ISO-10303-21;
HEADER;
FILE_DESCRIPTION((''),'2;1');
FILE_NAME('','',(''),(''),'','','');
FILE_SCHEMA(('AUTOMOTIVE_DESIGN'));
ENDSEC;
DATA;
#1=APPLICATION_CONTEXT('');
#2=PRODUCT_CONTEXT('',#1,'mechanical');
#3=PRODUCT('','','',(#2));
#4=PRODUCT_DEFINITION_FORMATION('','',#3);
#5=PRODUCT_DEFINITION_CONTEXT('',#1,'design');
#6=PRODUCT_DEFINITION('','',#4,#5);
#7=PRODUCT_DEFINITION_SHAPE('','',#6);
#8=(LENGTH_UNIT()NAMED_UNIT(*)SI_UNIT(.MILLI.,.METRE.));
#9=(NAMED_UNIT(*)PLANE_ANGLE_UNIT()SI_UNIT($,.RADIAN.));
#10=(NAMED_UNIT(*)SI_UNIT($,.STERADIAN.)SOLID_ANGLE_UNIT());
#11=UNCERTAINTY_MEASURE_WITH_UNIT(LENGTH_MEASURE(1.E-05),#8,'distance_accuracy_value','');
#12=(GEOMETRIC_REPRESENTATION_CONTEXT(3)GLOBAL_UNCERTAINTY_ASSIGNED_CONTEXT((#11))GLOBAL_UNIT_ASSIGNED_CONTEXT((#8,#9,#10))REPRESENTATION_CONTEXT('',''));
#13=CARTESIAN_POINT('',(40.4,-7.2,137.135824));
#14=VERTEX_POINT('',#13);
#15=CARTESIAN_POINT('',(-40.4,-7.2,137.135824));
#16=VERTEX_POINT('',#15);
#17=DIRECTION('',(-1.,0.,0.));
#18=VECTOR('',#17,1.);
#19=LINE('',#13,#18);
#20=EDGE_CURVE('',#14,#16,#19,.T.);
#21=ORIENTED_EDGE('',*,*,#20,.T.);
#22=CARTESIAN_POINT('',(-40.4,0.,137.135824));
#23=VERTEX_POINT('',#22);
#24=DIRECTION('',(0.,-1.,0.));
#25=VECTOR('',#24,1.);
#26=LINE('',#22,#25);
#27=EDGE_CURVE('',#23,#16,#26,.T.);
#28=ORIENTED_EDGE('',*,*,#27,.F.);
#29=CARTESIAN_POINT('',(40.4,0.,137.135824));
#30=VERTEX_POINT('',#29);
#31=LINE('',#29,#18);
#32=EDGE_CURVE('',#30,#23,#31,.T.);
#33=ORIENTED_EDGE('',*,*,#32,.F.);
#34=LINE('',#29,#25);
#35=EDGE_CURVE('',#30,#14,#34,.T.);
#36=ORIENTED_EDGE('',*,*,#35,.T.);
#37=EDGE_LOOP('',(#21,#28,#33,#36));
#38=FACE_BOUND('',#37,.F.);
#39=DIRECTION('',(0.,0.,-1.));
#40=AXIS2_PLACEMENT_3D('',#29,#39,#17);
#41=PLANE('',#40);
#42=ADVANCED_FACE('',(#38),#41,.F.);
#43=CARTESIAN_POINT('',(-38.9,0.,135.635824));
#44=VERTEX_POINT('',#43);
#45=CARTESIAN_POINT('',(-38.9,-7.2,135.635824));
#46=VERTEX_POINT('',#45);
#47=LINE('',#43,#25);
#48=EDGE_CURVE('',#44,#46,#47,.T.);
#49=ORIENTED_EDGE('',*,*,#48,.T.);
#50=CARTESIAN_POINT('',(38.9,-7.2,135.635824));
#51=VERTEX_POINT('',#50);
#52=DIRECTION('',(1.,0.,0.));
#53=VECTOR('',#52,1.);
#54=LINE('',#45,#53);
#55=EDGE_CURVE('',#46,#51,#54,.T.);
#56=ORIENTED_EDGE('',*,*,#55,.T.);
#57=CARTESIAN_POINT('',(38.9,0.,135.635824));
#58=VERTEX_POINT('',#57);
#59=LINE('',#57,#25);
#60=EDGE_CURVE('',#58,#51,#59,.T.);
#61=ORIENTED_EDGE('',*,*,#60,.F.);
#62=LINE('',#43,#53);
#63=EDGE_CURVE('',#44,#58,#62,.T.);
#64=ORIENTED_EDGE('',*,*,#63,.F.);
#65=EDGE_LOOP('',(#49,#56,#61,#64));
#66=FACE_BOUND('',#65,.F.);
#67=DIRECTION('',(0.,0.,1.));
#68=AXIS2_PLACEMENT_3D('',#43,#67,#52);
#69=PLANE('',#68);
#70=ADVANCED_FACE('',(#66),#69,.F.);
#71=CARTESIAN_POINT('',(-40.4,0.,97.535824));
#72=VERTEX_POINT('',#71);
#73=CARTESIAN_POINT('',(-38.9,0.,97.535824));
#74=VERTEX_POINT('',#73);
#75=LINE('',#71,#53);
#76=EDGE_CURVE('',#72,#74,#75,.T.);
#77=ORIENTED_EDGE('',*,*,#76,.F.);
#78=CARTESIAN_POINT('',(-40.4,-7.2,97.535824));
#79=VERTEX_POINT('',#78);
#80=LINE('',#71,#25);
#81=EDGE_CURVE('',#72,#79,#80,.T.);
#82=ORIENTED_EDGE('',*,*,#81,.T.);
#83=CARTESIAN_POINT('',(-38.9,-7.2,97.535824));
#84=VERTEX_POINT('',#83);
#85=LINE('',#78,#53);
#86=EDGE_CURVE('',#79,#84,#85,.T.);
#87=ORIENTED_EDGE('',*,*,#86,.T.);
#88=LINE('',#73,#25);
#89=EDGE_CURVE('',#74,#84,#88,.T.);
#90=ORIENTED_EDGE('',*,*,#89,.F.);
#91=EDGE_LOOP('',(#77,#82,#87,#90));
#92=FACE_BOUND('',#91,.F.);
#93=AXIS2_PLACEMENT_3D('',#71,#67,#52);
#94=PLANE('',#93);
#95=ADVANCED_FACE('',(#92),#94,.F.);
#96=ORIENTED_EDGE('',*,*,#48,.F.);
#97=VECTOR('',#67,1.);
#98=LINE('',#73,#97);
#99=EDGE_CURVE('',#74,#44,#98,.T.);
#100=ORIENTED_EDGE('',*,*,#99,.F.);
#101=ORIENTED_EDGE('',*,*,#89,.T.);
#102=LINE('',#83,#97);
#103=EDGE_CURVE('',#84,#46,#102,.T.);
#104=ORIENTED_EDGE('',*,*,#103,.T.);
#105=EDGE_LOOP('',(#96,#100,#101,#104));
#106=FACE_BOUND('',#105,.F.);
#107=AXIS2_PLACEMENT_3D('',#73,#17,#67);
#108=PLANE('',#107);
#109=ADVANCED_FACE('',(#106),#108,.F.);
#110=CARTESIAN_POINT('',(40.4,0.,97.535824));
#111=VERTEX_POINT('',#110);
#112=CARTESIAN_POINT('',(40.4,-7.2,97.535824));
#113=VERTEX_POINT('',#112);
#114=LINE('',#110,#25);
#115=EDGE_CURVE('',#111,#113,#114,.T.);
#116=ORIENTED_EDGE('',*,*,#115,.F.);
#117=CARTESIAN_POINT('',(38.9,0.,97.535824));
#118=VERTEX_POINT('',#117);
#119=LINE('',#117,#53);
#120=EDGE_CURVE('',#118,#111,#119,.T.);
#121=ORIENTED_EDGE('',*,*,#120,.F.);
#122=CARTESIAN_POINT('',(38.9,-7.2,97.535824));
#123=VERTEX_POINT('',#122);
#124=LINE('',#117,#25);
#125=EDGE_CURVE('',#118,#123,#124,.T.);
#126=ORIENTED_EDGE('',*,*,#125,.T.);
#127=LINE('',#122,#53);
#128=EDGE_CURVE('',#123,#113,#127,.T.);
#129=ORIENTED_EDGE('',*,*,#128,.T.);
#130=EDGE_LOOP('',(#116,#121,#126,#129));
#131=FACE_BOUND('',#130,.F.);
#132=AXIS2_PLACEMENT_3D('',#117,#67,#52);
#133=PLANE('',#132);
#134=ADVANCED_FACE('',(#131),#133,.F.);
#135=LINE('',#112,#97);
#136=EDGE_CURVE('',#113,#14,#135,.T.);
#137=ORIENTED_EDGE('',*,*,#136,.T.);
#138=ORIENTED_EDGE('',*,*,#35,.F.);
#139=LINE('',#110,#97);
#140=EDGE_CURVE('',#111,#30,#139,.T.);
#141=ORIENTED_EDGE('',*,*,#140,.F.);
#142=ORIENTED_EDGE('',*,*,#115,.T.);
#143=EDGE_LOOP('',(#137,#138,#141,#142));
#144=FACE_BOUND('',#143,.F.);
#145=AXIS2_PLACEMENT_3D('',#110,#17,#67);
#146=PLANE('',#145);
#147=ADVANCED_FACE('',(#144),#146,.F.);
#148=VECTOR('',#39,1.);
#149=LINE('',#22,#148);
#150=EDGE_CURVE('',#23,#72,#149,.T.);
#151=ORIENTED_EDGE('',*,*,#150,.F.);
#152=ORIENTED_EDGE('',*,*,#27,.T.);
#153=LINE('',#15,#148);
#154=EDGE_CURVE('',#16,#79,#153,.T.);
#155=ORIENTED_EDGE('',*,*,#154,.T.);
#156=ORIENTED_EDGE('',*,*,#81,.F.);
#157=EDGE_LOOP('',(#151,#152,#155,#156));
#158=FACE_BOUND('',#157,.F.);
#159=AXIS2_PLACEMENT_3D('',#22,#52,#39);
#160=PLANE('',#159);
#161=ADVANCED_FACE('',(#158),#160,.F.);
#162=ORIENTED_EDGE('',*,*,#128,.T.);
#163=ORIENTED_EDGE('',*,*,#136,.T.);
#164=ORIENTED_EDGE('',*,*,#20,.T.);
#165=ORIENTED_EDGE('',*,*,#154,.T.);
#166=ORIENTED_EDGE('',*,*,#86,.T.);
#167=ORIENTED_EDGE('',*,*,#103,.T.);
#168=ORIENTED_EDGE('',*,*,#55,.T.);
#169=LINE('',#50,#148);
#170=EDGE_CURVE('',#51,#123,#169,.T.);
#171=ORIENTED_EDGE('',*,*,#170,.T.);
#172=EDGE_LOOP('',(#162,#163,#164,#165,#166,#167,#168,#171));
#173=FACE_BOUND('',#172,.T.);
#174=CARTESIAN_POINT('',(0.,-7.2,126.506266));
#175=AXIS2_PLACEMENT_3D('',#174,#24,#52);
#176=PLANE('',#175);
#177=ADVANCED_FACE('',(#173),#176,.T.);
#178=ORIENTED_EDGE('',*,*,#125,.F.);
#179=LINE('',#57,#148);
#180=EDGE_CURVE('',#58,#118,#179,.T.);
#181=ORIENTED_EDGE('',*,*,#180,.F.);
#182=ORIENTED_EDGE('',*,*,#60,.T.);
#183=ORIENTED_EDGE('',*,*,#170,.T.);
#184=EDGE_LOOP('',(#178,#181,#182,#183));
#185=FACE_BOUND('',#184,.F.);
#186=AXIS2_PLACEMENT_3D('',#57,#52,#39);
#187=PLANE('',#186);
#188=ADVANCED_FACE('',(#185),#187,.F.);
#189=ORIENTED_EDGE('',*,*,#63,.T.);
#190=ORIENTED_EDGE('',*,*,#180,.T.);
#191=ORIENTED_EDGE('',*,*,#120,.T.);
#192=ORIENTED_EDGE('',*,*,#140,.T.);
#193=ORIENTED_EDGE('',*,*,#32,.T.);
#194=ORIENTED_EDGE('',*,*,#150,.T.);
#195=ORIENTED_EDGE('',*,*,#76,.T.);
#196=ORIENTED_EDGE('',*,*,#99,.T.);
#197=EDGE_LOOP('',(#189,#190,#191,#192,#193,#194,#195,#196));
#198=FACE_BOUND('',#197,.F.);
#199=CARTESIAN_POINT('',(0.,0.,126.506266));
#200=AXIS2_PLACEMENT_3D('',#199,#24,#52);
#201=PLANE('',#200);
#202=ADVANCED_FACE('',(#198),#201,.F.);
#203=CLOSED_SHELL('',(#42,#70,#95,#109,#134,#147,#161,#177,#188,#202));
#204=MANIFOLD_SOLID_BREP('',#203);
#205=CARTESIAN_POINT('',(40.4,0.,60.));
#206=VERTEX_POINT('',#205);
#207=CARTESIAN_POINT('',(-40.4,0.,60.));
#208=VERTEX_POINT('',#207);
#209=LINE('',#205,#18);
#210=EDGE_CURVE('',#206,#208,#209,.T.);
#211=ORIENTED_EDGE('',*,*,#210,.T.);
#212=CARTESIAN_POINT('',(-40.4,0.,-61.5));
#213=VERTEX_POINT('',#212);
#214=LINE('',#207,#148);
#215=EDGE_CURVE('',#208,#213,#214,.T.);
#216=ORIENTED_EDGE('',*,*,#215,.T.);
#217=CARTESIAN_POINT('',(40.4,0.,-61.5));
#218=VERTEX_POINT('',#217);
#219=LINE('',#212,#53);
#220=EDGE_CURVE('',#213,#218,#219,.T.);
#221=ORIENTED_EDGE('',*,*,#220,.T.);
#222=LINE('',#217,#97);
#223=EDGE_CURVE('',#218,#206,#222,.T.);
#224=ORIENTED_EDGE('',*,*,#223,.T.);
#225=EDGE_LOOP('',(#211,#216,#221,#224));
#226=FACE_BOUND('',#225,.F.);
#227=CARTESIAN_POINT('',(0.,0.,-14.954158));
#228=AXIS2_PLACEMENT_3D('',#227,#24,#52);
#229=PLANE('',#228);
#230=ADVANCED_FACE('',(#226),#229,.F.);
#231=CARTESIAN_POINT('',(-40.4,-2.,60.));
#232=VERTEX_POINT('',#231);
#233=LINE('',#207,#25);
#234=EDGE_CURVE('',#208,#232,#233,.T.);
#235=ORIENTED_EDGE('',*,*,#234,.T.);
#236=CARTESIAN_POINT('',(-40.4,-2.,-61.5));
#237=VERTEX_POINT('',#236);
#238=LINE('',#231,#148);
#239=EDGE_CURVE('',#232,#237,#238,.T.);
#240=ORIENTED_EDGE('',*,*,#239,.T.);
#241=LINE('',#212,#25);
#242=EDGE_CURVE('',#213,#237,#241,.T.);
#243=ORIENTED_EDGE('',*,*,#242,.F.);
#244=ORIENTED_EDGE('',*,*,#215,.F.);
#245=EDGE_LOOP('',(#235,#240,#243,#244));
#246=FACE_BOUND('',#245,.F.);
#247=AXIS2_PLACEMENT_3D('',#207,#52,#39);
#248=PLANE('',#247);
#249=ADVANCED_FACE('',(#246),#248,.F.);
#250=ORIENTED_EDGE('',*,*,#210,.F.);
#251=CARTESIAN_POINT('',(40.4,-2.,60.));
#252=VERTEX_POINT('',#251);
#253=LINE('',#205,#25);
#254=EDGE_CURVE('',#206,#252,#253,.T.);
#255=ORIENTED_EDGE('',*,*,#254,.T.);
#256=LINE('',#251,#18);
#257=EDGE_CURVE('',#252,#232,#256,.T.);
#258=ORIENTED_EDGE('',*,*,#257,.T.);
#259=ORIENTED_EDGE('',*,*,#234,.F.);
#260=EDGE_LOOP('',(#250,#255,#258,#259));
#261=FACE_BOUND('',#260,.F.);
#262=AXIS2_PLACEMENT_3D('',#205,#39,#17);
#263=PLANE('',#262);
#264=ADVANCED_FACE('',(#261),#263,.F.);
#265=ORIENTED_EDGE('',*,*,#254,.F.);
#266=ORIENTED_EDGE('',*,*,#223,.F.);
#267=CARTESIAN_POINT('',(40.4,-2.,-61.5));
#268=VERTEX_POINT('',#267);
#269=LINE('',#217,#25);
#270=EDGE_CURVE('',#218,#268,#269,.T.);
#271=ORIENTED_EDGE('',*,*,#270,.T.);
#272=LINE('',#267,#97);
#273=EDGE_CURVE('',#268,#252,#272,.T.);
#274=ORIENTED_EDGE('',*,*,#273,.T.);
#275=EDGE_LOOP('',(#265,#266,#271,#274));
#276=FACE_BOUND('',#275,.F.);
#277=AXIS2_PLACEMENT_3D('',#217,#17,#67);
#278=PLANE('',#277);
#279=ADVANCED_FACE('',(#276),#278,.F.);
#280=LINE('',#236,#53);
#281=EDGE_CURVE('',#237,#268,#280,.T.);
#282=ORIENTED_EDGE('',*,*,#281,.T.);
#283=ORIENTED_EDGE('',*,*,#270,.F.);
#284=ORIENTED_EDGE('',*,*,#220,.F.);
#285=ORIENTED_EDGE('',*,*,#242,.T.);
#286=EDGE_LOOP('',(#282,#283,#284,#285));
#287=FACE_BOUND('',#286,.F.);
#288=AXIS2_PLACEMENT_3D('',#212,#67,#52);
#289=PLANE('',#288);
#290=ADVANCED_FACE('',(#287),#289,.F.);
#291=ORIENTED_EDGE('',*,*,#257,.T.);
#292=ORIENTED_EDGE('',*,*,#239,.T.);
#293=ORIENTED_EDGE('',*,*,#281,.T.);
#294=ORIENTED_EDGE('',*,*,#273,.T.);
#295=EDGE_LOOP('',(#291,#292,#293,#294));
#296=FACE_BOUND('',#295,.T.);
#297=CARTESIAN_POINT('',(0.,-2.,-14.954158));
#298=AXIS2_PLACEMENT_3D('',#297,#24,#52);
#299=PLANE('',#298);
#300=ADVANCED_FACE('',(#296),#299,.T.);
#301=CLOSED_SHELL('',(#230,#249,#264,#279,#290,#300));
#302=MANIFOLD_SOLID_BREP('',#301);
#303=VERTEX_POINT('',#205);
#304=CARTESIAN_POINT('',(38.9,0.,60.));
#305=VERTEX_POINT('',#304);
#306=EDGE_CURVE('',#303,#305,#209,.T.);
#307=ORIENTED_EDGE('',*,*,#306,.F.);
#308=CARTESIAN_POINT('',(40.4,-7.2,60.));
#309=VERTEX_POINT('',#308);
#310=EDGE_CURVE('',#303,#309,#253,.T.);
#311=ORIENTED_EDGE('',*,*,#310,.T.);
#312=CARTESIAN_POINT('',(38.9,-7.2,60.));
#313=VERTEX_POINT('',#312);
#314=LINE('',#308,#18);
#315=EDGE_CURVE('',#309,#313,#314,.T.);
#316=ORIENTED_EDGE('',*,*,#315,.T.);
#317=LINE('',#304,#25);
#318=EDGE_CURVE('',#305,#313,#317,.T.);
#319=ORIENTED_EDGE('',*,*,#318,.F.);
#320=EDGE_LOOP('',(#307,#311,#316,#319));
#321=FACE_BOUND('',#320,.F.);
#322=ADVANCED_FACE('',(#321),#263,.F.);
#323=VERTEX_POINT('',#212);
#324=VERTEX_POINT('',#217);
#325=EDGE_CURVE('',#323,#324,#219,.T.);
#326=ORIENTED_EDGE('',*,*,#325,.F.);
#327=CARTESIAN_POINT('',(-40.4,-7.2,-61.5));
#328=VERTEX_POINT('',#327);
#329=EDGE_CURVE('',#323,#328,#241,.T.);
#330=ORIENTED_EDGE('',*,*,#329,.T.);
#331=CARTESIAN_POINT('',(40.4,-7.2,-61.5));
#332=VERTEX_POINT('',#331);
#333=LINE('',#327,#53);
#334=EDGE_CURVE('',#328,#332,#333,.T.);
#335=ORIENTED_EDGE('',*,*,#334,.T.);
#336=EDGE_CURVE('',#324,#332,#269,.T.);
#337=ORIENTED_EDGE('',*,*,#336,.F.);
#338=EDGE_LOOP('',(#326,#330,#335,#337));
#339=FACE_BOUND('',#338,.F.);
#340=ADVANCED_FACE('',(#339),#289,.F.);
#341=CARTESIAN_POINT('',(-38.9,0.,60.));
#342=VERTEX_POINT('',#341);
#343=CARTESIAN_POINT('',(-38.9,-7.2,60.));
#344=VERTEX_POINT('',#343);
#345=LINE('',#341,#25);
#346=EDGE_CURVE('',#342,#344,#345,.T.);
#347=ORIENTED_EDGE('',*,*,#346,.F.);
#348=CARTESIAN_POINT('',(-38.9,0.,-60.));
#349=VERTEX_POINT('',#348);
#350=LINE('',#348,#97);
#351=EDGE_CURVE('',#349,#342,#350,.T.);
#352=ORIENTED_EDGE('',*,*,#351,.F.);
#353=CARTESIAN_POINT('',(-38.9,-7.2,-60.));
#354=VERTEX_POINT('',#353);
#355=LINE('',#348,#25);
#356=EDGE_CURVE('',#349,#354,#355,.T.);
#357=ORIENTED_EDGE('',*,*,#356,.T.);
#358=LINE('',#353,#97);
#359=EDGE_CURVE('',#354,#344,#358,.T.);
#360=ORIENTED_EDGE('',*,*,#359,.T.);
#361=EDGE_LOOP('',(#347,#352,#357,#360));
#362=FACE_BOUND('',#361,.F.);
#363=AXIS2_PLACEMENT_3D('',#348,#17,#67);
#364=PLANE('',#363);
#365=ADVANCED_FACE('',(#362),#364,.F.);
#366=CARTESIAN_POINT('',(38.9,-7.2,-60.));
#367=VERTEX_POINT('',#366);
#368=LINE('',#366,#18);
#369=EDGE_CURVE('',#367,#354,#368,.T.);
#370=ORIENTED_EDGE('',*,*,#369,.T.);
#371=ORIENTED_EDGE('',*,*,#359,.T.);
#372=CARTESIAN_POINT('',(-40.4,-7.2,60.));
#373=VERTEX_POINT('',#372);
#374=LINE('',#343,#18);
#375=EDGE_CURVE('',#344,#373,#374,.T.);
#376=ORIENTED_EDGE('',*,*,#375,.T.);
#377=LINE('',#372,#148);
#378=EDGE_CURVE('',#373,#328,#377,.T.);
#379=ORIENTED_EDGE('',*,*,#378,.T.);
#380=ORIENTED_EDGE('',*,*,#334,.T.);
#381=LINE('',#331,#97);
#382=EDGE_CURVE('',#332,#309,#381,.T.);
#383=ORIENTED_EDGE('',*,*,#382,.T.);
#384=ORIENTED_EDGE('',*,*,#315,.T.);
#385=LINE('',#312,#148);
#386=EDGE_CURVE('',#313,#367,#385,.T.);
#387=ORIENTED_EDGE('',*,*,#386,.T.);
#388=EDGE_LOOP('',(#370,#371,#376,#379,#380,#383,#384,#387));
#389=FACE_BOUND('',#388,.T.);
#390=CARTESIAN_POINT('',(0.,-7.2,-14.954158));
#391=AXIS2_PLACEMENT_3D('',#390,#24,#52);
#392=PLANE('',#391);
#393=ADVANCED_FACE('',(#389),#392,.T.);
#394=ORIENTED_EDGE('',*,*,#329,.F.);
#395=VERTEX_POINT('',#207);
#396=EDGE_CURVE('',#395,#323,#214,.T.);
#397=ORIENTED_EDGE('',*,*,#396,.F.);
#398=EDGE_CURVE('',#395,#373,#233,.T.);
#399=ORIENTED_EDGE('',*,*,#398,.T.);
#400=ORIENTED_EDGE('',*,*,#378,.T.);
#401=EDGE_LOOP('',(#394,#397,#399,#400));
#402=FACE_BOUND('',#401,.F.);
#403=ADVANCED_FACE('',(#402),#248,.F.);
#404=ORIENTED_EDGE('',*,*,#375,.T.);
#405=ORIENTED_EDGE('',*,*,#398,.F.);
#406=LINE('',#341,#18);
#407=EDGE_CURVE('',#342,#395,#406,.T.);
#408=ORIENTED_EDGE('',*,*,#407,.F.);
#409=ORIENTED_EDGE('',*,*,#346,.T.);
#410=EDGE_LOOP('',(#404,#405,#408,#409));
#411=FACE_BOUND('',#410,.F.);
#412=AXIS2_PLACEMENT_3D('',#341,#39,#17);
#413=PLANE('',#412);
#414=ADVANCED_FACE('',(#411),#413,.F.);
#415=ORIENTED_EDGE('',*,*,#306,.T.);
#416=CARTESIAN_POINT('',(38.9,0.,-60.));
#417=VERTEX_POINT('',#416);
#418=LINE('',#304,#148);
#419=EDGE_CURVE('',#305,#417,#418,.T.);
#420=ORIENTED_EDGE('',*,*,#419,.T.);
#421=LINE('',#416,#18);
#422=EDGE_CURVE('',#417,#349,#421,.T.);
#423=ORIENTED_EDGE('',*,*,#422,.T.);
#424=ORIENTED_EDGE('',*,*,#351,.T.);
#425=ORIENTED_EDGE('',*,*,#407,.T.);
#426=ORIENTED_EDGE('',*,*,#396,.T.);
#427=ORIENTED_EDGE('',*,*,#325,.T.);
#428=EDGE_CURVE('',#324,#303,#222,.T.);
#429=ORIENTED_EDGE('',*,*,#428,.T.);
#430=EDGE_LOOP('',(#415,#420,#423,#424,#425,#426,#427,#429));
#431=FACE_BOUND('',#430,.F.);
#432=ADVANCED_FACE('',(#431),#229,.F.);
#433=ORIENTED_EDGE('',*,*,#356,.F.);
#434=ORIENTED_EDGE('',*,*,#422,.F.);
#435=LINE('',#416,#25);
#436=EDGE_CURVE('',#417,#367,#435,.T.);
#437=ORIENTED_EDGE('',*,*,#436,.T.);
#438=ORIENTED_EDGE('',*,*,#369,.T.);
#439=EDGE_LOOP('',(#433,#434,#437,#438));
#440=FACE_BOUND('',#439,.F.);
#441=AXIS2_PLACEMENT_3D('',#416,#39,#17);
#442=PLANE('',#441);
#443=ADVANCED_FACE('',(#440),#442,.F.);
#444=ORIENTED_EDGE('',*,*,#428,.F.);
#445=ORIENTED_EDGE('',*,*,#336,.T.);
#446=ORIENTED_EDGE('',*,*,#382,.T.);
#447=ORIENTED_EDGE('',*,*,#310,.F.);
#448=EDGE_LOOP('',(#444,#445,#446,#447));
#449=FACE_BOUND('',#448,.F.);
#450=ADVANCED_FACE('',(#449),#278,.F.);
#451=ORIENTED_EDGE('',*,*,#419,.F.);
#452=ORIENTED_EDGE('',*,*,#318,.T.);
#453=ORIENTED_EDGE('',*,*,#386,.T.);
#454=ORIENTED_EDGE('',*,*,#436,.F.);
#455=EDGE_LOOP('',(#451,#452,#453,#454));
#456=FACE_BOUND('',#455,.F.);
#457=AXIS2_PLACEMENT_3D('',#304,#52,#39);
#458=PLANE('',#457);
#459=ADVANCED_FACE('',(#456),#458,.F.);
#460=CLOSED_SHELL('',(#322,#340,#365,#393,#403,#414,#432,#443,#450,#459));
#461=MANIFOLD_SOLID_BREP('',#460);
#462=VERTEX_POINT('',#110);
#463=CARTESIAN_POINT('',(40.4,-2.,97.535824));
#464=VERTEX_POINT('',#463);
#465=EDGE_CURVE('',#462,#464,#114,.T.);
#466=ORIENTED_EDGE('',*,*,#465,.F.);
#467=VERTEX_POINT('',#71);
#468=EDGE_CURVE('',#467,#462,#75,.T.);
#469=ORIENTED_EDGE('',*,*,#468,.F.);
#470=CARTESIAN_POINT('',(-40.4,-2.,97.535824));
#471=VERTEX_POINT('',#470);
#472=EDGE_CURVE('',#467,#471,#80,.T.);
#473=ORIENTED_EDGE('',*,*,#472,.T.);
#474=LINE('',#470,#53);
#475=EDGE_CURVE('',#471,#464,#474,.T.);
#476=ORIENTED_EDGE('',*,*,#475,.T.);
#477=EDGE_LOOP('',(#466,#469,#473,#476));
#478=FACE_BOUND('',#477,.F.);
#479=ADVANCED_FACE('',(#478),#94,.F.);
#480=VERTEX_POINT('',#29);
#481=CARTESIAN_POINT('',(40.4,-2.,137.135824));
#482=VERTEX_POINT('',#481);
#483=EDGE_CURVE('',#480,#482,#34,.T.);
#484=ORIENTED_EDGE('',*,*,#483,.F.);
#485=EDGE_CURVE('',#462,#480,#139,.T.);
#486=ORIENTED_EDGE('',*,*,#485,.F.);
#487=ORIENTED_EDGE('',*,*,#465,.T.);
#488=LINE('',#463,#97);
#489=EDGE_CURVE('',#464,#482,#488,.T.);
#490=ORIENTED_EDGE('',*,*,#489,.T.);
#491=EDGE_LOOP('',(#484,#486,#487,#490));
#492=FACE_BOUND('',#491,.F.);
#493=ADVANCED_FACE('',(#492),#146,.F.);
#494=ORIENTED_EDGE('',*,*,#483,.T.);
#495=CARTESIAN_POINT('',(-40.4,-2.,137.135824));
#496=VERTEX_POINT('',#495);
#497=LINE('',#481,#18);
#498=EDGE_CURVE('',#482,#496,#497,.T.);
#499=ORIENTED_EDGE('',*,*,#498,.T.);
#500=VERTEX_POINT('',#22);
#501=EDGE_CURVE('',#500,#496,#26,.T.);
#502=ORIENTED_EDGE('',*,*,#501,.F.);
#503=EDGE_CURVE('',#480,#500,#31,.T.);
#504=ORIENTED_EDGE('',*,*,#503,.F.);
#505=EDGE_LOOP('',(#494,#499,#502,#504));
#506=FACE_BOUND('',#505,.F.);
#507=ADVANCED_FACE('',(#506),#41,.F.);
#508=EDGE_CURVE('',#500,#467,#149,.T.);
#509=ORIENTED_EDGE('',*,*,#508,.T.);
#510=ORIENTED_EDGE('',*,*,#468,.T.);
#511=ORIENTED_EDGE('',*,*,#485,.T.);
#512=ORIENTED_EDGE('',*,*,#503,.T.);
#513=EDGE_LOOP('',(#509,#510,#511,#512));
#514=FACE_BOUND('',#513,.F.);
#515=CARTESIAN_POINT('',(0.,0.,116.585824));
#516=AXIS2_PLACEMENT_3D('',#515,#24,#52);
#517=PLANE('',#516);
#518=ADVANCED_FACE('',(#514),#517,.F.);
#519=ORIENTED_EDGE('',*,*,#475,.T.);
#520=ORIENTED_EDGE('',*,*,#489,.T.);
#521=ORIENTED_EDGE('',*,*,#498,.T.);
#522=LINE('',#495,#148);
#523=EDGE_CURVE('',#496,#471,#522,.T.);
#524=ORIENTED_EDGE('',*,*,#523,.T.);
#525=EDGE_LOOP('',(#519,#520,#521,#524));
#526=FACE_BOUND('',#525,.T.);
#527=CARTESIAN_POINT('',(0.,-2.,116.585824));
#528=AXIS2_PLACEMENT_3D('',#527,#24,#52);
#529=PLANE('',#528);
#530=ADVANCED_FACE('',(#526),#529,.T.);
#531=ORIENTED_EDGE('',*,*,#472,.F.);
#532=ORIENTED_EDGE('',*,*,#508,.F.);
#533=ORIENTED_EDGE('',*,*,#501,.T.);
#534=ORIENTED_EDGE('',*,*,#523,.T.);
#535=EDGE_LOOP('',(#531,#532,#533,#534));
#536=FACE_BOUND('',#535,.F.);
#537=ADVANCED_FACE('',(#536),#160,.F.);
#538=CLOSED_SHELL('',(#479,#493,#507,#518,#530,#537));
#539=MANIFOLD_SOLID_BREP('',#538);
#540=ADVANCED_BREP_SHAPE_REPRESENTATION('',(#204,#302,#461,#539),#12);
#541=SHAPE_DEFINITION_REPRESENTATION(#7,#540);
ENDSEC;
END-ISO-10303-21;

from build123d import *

# Parameters (mm, degrees)
F1_DEPTH = 7.2
F0_W     = 77.8
F0_H     = 120
F0_H_2   = 38.1
F2_DEPTH = 2


with BuildPart() as f1:
    # F0 (on Front) → F1 (new body)
    with BuildSketch(Plane.XZ):
        Polygon((38.9, 135.635824), (38.9, 97.535824), (40.4, 97.535824), (40.4, 137.135824), (-40.4, 137.135824), (-40.4, 97.535824), (-38.9, 97.535824), (-38.9, 135.635824), align=None)
        Polygon((38.9, 60), (38.9, -60), (-38.9, -60), (-38.9, 60), (-40.4, 60), (-40.4, -61.5), (40.4, -61.5), (40.4, 60), align=None)
    extrude(amount=F1_DEPTH)


with BuildPart() as f2:
    # F0 (on Front) → F2 (new body)
    with BuildSketch(Plane.XZ):
        Polygon((38.9, 60), (38.9, -60), (-38.9, -60), (-38.9, 60), (-40.4, 60), (-40.4, -61.5), (40.4, -61.5), (40.4, 60), align=None)
        Rectangle(F0_W, F0_H)
        with Locations((0, 116.585824)):
            Rectangle(F0_W, F0_H_2)
        Polygon((38.9, 135.635824), (38.9, 97.535824), (40.4, 97.535824), (40.4, 137.135824), (-40.4, 137.135824), (-40.4, 97.535824), (-38.9, 97.535824), (-38.9, 135.635824), align=None)
    extrude(amount=F2_DEPTH)


solid = Compound([f1.part, f2.part])
